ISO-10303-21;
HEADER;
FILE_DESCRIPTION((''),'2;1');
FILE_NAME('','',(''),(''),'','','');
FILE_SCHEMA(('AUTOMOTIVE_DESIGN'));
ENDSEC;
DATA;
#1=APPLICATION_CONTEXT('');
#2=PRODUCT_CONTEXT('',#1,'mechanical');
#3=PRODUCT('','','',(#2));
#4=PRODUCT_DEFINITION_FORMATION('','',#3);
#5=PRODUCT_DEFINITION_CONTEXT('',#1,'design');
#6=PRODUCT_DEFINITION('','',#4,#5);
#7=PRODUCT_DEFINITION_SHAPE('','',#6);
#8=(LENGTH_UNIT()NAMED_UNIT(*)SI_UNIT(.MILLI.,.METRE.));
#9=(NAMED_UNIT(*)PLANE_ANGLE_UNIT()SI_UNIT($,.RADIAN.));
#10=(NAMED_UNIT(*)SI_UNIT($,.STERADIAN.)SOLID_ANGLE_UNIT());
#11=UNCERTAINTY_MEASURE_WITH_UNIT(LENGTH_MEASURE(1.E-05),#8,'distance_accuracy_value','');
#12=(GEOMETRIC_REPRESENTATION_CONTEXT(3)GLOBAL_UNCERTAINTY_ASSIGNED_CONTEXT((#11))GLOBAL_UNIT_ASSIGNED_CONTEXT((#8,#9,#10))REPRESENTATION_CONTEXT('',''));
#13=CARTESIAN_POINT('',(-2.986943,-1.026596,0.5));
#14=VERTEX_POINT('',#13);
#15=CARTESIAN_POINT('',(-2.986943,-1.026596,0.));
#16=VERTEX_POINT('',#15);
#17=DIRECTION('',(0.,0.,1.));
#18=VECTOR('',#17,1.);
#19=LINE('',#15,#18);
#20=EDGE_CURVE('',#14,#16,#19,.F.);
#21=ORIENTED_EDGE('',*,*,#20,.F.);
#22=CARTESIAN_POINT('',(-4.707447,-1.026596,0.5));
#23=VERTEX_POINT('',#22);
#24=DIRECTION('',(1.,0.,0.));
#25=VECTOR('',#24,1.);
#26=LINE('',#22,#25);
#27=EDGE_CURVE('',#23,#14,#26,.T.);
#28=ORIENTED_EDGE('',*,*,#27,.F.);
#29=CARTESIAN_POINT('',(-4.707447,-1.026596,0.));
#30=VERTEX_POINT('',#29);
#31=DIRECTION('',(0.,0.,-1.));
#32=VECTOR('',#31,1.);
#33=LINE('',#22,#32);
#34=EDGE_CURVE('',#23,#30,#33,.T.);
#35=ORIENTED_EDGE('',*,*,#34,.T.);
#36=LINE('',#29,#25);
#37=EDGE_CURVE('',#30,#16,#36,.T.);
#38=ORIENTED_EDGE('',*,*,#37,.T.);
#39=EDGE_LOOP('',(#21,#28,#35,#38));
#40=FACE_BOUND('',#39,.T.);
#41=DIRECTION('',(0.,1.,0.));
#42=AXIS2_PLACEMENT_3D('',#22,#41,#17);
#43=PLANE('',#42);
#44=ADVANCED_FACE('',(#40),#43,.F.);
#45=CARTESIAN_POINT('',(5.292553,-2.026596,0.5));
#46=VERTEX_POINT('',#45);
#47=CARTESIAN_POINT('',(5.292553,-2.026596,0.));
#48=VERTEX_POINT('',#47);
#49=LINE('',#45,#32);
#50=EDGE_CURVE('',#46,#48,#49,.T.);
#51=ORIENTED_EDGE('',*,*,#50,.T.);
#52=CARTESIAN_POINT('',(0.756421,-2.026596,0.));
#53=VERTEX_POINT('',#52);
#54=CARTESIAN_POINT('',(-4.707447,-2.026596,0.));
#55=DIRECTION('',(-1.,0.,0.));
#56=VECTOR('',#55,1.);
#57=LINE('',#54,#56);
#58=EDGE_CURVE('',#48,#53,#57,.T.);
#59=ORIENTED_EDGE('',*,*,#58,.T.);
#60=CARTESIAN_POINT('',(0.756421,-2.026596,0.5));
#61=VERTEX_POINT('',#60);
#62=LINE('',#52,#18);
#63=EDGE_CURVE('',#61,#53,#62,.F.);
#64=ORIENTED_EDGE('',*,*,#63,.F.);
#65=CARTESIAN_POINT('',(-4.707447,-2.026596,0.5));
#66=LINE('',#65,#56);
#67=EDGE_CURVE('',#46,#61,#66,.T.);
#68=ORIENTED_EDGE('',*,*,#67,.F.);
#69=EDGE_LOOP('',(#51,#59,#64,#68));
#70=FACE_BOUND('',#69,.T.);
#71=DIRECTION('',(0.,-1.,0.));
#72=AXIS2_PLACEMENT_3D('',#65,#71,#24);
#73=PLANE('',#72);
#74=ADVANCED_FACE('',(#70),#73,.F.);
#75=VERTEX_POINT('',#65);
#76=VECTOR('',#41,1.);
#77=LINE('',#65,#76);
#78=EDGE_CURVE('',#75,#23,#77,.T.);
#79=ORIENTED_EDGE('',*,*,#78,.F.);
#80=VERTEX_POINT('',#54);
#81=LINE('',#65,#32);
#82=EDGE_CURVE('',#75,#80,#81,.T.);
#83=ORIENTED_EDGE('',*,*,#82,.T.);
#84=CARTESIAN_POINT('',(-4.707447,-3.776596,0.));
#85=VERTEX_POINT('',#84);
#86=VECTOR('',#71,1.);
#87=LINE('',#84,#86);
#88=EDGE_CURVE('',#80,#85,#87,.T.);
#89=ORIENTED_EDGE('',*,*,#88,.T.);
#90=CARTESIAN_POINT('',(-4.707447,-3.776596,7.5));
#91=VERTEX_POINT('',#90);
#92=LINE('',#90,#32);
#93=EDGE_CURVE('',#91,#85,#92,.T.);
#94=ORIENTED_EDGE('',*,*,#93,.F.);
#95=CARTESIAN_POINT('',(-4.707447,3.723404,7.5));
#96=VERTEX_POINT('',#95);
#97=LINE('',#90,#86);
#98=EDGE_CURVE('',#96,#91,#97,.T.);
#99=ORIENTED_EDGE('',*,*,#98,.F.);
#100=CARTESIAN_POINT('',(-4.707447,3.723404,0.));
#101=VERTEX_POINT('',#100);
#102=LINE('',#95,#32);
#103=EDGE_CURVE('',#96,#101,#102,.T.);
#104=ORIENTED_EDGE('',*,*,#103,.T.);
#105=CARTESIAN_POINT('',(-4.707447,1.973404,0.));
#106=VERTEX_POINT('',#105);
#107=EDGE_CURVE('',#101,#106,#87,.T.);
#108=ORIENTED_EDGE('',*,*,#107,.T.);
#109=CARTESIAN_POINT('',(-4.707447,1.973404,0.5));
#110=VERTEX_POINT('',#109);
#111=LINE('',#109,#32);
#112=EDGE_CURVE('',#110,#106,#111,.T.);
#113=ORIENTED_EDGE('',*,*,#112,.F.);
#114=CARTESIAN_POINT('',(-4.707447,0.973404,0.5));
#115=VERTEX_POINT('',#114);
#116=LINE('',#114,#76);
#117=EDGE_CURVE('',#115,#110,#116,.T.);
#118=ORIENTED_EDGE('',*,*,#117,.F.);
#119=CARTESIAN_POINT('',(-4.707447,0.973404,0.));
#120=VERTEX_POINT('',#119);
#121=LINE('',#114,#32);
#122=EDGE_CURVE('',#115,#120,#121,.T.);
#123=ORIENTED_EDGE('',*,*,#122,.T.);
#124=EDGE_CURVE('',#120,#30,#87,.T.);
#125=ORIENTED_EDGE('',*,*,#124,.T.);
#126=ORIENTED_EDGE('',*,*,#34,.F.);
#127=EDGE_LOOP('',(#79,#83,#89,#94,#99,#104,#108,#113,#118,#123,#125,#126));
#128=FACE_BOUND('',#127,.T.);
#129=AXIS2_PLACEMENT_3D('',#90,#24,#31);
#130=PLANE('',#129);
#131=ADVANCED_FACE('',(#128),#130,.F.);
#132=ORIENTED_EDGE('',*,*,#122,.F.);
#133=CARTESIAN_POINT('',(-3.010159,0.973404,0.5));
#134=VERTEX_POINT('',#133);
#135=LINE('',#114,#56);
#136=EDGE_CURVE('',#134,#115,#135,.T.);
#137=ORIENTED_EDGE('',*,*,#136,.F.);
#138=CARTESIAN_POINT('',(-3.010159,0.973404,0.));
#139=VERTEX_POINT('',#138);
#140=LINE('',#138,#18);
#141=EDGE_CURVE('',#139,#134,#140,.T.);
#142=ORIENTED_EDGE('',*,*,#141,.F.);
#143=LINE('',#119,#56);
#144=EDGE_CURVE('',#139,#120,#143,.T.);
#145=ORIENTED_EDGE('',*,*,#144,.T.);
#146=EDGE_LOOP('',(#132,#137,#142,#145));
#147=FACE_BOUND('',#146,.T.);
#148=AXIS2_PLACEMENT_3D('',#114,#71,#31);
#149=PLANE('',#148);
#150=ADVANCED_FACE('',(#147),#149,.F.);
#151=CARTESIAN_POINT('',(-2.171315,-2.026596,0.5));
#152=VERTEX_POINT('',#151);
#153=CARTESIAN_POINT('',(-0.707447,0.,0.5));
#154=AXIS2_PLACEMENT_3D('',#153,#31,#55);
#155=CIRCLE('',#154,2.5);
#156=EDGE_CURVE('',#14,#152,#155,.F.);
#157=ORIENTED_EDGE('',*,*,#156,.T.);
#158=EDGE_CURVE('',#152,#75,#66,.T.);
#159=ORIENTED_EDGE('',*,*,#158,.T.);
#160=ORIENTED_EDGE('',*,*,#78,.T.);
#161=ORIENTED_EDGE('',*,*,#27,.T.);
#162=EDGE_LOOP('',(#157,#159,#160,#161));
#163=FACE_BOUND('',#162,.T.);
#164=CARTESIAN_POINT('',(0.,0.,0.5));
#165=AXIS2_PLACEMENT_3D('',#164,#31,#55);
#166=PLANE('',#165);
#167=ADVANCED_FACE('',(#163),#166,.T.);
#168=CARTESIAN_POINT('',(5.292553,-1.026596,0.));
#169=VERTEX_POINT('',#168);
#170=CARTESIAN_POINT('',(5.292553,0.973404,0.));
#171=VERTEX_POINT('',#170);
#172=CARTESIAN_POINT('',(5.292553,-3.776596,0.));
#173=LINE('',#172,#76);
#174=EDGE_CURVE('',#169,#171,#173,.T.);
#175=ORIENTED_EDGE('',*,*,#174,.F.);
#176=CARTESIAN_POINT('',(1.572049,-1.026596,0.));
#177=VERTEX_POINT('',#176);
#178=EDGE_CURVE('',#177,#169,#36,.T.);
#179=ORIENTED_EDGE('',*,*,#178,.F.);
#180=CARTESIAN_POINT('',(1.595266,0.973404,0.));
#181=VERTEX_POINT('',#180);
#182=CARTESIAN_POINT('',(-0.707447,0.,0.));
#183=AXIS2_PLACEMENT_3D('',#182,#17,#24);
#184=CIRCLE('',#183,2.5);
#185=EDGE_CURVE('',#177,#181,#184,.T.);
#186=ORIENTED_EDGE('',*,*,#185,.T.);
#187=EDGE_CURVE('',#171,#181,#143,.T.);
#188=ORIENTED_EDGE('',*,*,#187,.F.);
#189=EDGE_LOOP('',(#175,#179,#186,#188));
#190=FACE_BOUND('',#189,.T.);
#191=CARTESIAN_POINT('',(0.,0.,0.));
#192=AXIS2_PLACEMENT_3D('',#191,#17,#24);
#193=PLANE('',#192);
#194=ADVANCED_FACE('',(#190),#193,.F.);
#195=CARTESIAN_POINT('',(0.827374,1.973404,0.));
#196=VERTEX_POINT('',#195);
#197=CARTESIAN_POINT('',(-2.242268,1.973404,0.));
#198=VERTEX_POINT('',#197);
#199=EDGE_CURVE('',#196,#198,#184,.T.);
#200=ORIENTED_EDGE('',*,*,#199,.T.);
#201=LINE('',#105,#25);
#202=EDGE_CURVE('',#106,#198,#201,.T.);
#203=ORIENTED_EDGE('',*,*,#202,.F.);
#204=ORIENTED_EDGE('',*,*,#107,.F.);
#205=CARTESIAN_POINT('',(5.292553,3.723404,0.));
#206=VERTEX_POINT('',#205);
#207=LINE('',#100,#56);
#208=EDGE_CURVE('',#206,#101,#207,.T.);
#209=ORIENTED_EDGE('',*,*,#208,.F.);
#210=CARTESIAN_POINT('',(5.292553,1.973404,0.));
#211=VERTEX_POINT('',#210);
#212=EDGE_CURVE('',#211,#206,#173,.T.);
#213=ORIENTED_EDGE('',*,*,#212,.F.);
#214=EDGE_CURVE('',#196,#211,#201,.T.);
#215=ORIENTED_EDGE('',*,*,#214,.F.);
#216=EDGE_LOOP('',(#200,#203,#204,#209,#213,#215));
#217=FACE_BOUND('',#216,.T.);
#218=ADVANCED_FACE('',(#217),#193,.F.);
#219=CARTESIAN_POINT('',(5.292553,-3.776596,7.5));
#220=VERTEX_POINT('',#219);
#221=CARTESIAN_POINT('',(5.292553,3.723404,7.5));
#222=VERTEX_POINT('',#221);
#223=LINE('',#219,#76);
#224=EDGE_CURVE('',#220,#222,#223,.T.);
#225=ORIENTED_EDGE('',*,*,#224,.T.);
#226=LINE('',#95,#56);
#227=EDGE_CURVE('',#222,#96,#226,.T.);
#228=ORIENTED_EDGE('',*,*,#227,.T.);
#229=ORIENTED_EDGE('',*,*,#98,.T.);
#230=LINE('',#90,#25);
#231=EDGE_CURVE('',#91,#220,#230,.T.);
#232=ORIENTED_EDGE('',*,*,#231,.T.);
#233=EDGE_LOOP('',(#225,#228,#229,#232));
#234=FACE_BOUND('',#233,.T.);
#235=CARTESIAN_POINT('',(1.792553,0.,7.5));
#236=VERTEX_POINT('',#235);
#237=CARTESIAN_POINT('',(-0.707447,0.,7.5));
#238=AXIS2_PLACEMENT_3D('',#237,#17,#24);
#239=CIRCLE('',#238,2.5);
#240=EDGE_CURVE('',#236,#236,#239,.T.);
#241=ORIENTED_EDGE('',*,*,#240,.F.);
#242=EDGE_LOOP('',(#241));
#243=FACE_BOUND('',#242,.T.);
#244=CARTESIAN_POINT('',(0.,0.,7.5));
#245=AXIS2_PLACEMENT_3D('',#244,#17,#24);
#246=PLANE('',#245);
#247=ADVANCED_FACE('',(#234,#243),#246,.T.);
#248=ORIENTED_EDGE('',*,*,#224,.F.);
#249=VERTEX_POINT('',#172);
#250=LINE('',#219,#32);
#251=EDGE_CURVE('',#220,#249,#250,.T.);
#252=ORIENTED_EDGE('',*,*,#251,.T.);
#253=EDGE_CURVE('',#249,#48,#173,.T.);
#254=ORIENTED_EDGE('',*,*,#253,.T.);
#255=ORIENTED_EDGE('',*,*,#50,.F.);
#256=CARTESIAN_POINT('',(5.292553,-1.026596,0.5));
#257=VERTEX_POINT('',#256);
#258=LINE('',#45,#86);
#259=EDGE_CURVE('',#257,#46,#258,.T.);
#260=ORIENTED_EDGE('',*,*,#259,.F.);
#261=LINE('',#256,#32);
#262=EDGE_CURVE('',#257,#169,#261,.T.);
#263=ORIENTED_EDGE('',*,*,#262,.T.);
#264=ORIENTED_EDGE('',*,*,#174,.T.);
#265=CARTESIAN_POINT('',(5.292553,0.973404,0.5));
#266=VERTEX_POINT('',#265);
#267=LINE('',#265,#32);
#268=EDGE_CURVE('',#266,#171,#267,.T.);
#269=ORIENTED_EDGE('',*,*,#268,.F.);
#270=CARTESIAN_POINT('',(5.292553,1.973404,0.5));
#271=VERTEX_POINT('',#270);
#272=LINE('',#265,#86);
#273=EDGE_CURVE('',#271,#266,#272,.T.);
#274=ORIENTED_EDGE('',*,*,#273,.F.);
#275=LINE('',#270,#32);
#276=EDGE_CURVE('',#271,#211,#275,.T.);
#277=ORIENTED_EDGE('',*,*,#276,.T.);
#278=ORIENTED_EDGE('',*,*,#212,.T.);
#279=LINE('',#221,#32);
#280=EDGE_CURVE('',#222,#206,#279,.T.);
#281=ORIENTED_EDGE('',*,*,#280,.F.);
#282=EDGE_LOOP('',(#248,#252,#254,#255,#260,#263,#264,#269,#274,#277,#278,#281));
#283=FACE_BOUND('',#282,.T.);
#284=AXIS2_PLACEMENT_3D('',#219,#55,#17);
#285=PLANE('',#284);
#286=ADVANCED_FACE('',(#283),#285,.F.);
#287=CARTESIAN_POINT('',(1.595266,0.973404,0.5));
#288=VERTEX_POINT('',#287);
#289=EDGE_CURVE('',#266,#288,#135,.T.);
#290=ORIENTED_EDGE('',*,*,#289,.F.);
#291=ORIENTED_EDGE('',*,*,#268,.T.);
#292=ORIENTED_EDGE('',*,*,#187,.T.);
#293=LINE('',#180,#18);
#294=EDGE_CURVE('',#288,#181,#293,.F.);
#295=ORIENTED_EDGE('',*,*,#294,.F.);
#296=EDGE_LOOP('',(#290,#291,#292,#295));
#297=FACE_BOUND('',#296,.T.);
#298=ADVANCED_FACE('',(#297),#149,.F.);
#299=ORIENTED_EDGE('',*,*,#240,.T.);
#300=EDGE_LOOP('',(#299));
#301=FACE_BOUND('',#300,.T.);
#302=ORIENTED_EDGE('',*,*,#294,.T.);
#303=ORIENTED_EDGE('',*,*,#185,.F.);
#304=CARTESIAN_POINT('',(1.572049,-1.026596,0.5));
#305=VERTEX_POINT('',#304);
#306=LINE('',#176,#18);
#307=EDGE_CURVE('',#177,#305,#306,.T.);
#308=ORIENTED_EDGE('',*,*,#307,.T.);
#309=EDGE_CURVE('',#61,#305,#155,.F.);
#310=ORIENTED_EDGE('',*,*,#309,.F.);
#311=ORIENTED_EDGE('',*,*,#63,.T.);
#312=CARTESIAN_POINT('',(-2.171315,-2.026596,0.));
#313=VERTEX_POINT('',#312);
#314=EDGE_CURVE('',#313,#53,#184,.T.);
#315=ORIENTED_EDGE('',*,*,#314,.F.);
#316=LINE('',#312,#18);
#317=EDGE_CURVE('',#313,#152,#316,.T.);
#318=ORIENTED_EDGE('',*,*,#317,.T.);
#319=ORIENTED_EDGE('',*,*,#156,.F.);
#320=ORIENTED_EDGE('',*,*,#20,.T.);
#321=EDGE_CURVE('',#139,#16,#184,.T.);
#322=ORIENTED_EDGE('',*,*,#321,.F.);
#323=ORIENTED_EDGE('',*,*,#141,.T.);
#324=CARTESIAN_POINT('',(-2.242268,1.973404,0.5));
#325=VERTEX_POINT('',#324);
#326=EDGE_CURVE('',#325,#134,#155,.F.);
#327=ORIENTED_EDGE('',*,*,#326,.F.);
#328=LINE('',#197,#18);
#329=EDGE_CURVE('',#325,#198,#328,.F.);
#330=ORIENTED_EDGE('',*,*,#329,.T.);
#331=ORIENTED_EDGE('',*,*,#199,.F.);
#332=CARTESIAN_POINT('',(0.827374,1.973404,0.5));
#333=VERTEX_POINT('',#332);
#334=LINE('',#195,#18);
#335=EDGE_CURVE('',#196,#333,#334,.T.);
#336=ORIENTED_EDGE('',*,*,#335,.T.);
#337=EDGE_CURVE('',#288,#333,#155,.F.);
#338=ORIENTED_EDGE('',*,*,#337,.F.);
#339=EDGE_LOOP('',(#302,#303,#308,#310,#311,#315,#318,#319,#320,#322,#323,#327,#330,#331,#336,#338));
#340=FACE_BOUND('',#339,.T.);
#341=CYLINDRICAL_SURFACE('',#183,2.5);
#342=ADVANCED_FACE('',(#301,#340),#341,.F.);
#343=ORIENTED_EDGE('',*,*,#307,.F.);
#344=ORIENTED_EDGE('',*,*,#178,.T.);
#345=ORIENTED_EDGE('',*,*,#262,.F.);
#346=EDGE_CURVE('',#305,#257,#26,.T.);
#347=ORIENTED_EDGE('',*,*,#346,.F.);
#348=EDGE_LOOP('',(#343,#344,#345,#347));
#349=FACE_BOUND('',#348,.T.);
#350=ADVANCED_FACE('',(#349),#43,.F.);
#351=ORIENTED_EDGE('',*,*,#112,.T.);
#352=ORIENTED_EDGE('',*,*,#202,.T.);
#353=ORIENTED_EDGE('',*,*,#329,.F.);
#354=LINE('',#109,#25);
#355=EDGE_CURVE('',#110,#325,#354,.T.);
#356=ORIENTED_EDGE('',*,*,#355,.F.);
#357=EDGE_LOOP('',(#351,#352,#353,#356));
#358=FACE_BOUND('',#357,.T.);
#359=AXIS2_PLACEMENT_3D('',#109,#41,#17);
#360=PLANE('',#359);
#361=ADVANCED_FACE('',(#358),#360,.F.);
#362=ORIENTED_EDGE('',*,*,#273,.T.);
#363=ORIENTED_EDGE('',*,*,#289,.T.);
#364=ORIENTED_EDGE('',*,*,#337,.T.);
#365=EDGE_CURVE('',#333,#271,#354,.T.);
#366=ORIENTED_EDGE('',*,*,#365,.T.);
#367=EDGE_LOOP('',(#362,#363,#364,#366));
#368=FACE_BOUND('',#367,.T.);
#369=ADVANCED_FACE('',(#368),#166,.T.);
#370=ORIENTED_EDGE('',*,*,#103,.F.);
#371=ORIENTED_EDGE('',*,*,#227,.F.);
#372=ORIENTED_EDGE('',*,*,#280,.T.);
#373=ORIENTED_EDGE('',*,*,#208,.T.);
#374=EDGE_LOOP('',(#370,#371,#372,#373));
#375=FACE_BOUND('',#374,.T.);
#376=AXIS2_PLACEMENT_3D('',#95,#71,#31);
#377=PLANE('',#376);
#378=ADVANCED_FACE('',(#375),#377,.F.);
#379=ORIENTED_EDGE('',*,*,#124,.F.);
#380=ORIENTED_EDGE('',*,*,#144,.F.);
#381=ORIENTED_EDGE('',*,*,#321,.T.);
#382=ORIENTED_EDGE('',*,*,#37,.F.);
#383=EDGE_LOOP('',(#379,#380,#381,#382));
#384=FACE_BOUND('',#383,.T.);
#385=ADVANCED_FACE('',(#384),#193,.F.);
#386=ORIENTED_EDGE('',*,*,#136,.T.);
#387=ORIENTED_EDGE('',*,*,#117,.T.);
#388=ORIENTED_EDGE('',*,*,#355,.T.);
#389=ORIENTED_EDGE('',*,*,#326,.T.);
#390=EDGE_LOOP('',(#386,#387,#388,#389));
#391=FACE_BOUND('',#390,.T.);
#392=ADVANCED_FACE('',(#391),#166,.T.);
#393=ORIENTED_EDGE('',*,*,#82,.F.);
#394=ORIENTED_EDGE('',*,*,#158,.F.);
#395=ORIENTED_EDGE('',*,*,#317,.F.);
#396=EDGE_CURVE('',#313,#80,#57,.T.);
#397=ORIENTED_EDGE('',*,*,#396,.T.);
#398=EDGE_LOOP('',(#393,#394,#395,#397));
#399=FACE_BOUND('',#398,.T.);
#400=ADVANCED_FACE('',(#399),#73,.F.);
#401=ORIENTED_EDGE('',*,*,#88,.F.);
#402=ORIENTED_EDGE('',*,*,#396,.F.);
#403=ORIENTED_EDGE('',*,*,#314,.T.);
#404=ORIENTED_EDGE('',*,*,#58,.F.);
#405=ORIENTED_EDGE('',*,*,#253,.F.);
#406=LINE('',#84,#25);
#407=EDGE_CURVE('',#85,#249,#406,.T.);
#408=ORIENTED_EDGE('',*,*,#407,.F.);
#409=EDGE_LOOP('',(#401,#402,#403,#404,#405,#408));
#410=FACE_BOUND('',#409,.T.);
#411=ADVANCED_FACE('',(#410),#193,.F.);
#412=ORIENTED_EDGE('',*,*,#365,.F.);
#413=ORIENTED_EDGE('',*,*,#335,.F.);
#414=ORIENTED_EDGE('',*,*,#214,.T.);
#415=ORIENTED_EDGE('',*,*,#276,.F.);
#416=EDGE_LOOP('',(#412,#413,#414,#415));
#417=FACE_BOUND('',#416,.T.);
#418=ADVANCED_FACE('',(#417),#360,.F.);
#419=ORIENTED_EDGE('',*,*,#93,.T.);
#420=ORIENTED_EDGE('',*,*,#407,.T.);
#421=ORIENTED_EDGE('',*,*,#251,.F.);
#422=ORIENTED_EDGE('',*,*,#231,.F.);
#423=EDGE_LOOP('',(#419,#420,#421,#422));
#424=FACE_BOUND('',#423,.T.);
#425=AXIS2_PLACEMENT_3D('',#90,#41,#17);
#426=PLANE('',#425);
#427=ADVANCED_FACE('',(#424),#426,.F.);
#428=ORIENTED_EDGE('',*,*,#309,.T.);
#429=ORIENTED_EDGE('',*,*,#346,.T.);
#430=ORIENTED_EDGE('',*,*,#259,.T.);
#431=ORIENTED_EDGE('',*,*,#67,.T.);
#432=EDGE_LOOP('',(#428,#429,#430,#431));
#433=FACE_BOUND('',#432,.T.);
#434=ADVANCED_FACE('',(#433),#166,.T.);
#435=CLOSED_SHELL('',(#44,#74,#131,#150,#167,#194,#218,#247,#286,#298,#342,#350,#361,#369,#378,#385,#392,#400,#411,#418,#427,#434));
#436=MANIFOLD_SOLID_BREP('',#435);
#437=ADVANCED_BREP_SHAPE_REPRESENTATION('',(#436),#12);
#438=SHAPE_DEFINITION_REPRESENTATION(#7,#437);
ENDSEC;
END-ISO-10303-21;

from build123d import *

# Parameters (mm, degrees)
SKETCH1_W           = 7.5
SKETCH1_H           = 10
BOSS_EXTRUDE1_DEPTH = 7.5
SKETCH2_R           = 2.5
CUT_EXTRUDE1_DEPTH  = 7.5
SKETCH3_W           = 10
SKETCH3_H           = 1
CUT_EXTRUDE2_DEPTH  = 0.5


with BuildPart() as part:
    # Sketch1 → Boss-Extrude1 (new body)
    with BuildSketch(Plane(origin=(0, 0, 0), x_dir=(0, 1, 0), z_dir=(0, 0, 1))):
        with Locations((-0.026595745, -0.292553191)):
            Rectangle(SKETCH1_W, SKETCH1_H)
    extrude(amount=BOSS_EXTRUDE1_DEPTH)

    # Sketch2 → Cut-Extrude1 (cut)
    with BuildSketch(Plane.XY.offset(7.5)):
        with Locations((-0.707446809, 0)):
            Circle(SKETCH2_R)
    extrude(amount=-CUT_EXTRUDE1_DEPTH, mode=Mode.SUBTRACT)

    # Sketch3 → Cut-Extrude2 (cut)
    with BuildSketch(Plane(origin=(0, 0, 0), x_dir=(1, 0, 0), z_dir=(0, 0, -1))):
        with Locations((0.292553191, 1.526595745)):
            Rectangle(SKETCH3_W, SKETCH3_H)
        with Locations((0.292553191, -1.473404255)):
            Rectangle(SKETCH3_W, SKETCH3_H)
    extrude(amount=-CUT_EXTRUDE2_DEPTH, mode=Mode.SUBTRACT)


solid = part.part
